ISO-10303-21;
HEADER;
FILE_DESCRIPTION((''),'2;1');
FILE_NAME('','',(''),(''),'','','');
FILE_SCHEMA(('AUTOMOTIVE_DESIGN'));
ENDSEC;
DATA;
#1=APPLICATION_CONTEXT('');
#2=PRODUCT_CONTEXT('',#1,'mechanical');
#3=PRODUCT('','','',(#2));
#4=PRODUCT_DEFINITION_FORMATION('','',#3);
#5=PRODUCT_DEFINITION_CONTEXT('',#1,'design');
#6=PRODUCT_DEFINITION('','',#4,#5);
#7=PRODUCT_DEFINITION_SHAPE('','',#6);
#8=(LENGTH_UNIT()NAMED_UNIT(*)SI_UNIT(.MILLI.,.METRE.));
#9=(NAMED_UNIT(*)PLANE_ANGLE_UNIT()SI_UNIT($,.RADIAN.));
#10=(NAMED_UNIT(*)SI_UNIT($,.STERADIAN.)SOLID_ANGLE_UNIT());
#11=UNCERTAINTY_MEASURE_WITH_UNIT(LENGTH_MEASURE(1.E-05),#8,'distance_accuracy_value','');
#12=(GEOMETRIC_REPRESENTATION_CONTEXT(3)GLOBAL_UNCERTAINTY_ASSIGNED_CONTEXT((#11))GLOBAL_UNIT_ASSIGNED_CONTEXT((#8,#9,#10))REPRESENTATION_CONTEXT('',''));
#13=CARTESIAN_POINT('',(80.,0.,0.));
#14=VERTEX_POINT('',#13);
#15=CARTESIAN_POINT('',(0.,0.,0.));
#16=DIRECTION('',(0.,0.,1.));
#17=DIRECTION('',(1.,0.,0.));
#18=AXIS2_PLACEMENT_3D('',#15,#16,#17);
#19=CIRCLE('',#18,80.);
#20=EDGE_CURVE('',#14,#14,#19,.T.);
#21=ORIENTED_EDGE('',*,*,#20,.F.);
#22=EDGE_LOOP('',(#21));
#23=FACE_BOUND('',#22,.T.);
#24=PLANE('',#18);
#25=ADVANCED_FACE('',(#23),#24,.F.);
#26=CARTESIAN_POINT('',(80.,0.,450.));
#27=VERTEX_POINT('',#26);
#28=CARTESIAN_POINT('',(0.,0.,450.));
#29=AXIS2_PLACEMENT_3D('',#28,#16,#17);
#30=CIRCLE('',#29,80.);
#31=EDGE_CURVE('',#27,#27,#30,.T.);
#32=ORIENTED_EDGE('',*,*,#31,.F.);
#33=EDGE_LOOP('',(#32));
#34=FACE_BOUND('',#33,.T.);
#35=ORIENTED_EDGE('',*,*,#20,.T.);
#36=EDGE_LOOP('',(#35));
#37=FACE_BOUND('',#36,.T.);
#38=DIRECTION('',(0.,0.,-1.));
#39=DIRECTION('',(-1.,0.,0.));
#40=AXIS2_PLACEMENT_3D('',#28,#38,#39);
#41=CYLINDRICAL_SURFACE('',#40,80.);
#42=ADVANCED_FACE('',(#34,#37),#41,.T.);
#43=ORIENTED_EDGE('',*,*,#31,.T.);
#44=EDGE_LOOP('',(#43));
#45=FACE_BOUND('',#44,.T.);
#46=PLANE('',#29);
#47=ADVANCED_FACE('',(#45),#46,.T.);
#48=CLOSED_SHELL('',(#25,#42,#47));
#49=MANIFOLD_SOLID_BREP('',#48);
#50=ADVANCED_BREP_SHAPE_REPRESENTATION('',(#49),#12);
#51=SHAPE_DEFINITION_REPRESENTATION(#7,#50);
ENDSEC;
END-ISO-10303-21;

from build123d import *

# Parameters (mm, degrees)
SKETCH_1_R      = 80
EXTRUDE_1_DEPTH = 450


with BuildPart() as part:
    # 草图1 → 凸台-拉伸1 (new body)
    with BuildSketch(Plane.XY):
        Circle(SKETCH_1_R)
    extrude(amount=EXTRUDE_1_DEPTH)


solid = part.part
